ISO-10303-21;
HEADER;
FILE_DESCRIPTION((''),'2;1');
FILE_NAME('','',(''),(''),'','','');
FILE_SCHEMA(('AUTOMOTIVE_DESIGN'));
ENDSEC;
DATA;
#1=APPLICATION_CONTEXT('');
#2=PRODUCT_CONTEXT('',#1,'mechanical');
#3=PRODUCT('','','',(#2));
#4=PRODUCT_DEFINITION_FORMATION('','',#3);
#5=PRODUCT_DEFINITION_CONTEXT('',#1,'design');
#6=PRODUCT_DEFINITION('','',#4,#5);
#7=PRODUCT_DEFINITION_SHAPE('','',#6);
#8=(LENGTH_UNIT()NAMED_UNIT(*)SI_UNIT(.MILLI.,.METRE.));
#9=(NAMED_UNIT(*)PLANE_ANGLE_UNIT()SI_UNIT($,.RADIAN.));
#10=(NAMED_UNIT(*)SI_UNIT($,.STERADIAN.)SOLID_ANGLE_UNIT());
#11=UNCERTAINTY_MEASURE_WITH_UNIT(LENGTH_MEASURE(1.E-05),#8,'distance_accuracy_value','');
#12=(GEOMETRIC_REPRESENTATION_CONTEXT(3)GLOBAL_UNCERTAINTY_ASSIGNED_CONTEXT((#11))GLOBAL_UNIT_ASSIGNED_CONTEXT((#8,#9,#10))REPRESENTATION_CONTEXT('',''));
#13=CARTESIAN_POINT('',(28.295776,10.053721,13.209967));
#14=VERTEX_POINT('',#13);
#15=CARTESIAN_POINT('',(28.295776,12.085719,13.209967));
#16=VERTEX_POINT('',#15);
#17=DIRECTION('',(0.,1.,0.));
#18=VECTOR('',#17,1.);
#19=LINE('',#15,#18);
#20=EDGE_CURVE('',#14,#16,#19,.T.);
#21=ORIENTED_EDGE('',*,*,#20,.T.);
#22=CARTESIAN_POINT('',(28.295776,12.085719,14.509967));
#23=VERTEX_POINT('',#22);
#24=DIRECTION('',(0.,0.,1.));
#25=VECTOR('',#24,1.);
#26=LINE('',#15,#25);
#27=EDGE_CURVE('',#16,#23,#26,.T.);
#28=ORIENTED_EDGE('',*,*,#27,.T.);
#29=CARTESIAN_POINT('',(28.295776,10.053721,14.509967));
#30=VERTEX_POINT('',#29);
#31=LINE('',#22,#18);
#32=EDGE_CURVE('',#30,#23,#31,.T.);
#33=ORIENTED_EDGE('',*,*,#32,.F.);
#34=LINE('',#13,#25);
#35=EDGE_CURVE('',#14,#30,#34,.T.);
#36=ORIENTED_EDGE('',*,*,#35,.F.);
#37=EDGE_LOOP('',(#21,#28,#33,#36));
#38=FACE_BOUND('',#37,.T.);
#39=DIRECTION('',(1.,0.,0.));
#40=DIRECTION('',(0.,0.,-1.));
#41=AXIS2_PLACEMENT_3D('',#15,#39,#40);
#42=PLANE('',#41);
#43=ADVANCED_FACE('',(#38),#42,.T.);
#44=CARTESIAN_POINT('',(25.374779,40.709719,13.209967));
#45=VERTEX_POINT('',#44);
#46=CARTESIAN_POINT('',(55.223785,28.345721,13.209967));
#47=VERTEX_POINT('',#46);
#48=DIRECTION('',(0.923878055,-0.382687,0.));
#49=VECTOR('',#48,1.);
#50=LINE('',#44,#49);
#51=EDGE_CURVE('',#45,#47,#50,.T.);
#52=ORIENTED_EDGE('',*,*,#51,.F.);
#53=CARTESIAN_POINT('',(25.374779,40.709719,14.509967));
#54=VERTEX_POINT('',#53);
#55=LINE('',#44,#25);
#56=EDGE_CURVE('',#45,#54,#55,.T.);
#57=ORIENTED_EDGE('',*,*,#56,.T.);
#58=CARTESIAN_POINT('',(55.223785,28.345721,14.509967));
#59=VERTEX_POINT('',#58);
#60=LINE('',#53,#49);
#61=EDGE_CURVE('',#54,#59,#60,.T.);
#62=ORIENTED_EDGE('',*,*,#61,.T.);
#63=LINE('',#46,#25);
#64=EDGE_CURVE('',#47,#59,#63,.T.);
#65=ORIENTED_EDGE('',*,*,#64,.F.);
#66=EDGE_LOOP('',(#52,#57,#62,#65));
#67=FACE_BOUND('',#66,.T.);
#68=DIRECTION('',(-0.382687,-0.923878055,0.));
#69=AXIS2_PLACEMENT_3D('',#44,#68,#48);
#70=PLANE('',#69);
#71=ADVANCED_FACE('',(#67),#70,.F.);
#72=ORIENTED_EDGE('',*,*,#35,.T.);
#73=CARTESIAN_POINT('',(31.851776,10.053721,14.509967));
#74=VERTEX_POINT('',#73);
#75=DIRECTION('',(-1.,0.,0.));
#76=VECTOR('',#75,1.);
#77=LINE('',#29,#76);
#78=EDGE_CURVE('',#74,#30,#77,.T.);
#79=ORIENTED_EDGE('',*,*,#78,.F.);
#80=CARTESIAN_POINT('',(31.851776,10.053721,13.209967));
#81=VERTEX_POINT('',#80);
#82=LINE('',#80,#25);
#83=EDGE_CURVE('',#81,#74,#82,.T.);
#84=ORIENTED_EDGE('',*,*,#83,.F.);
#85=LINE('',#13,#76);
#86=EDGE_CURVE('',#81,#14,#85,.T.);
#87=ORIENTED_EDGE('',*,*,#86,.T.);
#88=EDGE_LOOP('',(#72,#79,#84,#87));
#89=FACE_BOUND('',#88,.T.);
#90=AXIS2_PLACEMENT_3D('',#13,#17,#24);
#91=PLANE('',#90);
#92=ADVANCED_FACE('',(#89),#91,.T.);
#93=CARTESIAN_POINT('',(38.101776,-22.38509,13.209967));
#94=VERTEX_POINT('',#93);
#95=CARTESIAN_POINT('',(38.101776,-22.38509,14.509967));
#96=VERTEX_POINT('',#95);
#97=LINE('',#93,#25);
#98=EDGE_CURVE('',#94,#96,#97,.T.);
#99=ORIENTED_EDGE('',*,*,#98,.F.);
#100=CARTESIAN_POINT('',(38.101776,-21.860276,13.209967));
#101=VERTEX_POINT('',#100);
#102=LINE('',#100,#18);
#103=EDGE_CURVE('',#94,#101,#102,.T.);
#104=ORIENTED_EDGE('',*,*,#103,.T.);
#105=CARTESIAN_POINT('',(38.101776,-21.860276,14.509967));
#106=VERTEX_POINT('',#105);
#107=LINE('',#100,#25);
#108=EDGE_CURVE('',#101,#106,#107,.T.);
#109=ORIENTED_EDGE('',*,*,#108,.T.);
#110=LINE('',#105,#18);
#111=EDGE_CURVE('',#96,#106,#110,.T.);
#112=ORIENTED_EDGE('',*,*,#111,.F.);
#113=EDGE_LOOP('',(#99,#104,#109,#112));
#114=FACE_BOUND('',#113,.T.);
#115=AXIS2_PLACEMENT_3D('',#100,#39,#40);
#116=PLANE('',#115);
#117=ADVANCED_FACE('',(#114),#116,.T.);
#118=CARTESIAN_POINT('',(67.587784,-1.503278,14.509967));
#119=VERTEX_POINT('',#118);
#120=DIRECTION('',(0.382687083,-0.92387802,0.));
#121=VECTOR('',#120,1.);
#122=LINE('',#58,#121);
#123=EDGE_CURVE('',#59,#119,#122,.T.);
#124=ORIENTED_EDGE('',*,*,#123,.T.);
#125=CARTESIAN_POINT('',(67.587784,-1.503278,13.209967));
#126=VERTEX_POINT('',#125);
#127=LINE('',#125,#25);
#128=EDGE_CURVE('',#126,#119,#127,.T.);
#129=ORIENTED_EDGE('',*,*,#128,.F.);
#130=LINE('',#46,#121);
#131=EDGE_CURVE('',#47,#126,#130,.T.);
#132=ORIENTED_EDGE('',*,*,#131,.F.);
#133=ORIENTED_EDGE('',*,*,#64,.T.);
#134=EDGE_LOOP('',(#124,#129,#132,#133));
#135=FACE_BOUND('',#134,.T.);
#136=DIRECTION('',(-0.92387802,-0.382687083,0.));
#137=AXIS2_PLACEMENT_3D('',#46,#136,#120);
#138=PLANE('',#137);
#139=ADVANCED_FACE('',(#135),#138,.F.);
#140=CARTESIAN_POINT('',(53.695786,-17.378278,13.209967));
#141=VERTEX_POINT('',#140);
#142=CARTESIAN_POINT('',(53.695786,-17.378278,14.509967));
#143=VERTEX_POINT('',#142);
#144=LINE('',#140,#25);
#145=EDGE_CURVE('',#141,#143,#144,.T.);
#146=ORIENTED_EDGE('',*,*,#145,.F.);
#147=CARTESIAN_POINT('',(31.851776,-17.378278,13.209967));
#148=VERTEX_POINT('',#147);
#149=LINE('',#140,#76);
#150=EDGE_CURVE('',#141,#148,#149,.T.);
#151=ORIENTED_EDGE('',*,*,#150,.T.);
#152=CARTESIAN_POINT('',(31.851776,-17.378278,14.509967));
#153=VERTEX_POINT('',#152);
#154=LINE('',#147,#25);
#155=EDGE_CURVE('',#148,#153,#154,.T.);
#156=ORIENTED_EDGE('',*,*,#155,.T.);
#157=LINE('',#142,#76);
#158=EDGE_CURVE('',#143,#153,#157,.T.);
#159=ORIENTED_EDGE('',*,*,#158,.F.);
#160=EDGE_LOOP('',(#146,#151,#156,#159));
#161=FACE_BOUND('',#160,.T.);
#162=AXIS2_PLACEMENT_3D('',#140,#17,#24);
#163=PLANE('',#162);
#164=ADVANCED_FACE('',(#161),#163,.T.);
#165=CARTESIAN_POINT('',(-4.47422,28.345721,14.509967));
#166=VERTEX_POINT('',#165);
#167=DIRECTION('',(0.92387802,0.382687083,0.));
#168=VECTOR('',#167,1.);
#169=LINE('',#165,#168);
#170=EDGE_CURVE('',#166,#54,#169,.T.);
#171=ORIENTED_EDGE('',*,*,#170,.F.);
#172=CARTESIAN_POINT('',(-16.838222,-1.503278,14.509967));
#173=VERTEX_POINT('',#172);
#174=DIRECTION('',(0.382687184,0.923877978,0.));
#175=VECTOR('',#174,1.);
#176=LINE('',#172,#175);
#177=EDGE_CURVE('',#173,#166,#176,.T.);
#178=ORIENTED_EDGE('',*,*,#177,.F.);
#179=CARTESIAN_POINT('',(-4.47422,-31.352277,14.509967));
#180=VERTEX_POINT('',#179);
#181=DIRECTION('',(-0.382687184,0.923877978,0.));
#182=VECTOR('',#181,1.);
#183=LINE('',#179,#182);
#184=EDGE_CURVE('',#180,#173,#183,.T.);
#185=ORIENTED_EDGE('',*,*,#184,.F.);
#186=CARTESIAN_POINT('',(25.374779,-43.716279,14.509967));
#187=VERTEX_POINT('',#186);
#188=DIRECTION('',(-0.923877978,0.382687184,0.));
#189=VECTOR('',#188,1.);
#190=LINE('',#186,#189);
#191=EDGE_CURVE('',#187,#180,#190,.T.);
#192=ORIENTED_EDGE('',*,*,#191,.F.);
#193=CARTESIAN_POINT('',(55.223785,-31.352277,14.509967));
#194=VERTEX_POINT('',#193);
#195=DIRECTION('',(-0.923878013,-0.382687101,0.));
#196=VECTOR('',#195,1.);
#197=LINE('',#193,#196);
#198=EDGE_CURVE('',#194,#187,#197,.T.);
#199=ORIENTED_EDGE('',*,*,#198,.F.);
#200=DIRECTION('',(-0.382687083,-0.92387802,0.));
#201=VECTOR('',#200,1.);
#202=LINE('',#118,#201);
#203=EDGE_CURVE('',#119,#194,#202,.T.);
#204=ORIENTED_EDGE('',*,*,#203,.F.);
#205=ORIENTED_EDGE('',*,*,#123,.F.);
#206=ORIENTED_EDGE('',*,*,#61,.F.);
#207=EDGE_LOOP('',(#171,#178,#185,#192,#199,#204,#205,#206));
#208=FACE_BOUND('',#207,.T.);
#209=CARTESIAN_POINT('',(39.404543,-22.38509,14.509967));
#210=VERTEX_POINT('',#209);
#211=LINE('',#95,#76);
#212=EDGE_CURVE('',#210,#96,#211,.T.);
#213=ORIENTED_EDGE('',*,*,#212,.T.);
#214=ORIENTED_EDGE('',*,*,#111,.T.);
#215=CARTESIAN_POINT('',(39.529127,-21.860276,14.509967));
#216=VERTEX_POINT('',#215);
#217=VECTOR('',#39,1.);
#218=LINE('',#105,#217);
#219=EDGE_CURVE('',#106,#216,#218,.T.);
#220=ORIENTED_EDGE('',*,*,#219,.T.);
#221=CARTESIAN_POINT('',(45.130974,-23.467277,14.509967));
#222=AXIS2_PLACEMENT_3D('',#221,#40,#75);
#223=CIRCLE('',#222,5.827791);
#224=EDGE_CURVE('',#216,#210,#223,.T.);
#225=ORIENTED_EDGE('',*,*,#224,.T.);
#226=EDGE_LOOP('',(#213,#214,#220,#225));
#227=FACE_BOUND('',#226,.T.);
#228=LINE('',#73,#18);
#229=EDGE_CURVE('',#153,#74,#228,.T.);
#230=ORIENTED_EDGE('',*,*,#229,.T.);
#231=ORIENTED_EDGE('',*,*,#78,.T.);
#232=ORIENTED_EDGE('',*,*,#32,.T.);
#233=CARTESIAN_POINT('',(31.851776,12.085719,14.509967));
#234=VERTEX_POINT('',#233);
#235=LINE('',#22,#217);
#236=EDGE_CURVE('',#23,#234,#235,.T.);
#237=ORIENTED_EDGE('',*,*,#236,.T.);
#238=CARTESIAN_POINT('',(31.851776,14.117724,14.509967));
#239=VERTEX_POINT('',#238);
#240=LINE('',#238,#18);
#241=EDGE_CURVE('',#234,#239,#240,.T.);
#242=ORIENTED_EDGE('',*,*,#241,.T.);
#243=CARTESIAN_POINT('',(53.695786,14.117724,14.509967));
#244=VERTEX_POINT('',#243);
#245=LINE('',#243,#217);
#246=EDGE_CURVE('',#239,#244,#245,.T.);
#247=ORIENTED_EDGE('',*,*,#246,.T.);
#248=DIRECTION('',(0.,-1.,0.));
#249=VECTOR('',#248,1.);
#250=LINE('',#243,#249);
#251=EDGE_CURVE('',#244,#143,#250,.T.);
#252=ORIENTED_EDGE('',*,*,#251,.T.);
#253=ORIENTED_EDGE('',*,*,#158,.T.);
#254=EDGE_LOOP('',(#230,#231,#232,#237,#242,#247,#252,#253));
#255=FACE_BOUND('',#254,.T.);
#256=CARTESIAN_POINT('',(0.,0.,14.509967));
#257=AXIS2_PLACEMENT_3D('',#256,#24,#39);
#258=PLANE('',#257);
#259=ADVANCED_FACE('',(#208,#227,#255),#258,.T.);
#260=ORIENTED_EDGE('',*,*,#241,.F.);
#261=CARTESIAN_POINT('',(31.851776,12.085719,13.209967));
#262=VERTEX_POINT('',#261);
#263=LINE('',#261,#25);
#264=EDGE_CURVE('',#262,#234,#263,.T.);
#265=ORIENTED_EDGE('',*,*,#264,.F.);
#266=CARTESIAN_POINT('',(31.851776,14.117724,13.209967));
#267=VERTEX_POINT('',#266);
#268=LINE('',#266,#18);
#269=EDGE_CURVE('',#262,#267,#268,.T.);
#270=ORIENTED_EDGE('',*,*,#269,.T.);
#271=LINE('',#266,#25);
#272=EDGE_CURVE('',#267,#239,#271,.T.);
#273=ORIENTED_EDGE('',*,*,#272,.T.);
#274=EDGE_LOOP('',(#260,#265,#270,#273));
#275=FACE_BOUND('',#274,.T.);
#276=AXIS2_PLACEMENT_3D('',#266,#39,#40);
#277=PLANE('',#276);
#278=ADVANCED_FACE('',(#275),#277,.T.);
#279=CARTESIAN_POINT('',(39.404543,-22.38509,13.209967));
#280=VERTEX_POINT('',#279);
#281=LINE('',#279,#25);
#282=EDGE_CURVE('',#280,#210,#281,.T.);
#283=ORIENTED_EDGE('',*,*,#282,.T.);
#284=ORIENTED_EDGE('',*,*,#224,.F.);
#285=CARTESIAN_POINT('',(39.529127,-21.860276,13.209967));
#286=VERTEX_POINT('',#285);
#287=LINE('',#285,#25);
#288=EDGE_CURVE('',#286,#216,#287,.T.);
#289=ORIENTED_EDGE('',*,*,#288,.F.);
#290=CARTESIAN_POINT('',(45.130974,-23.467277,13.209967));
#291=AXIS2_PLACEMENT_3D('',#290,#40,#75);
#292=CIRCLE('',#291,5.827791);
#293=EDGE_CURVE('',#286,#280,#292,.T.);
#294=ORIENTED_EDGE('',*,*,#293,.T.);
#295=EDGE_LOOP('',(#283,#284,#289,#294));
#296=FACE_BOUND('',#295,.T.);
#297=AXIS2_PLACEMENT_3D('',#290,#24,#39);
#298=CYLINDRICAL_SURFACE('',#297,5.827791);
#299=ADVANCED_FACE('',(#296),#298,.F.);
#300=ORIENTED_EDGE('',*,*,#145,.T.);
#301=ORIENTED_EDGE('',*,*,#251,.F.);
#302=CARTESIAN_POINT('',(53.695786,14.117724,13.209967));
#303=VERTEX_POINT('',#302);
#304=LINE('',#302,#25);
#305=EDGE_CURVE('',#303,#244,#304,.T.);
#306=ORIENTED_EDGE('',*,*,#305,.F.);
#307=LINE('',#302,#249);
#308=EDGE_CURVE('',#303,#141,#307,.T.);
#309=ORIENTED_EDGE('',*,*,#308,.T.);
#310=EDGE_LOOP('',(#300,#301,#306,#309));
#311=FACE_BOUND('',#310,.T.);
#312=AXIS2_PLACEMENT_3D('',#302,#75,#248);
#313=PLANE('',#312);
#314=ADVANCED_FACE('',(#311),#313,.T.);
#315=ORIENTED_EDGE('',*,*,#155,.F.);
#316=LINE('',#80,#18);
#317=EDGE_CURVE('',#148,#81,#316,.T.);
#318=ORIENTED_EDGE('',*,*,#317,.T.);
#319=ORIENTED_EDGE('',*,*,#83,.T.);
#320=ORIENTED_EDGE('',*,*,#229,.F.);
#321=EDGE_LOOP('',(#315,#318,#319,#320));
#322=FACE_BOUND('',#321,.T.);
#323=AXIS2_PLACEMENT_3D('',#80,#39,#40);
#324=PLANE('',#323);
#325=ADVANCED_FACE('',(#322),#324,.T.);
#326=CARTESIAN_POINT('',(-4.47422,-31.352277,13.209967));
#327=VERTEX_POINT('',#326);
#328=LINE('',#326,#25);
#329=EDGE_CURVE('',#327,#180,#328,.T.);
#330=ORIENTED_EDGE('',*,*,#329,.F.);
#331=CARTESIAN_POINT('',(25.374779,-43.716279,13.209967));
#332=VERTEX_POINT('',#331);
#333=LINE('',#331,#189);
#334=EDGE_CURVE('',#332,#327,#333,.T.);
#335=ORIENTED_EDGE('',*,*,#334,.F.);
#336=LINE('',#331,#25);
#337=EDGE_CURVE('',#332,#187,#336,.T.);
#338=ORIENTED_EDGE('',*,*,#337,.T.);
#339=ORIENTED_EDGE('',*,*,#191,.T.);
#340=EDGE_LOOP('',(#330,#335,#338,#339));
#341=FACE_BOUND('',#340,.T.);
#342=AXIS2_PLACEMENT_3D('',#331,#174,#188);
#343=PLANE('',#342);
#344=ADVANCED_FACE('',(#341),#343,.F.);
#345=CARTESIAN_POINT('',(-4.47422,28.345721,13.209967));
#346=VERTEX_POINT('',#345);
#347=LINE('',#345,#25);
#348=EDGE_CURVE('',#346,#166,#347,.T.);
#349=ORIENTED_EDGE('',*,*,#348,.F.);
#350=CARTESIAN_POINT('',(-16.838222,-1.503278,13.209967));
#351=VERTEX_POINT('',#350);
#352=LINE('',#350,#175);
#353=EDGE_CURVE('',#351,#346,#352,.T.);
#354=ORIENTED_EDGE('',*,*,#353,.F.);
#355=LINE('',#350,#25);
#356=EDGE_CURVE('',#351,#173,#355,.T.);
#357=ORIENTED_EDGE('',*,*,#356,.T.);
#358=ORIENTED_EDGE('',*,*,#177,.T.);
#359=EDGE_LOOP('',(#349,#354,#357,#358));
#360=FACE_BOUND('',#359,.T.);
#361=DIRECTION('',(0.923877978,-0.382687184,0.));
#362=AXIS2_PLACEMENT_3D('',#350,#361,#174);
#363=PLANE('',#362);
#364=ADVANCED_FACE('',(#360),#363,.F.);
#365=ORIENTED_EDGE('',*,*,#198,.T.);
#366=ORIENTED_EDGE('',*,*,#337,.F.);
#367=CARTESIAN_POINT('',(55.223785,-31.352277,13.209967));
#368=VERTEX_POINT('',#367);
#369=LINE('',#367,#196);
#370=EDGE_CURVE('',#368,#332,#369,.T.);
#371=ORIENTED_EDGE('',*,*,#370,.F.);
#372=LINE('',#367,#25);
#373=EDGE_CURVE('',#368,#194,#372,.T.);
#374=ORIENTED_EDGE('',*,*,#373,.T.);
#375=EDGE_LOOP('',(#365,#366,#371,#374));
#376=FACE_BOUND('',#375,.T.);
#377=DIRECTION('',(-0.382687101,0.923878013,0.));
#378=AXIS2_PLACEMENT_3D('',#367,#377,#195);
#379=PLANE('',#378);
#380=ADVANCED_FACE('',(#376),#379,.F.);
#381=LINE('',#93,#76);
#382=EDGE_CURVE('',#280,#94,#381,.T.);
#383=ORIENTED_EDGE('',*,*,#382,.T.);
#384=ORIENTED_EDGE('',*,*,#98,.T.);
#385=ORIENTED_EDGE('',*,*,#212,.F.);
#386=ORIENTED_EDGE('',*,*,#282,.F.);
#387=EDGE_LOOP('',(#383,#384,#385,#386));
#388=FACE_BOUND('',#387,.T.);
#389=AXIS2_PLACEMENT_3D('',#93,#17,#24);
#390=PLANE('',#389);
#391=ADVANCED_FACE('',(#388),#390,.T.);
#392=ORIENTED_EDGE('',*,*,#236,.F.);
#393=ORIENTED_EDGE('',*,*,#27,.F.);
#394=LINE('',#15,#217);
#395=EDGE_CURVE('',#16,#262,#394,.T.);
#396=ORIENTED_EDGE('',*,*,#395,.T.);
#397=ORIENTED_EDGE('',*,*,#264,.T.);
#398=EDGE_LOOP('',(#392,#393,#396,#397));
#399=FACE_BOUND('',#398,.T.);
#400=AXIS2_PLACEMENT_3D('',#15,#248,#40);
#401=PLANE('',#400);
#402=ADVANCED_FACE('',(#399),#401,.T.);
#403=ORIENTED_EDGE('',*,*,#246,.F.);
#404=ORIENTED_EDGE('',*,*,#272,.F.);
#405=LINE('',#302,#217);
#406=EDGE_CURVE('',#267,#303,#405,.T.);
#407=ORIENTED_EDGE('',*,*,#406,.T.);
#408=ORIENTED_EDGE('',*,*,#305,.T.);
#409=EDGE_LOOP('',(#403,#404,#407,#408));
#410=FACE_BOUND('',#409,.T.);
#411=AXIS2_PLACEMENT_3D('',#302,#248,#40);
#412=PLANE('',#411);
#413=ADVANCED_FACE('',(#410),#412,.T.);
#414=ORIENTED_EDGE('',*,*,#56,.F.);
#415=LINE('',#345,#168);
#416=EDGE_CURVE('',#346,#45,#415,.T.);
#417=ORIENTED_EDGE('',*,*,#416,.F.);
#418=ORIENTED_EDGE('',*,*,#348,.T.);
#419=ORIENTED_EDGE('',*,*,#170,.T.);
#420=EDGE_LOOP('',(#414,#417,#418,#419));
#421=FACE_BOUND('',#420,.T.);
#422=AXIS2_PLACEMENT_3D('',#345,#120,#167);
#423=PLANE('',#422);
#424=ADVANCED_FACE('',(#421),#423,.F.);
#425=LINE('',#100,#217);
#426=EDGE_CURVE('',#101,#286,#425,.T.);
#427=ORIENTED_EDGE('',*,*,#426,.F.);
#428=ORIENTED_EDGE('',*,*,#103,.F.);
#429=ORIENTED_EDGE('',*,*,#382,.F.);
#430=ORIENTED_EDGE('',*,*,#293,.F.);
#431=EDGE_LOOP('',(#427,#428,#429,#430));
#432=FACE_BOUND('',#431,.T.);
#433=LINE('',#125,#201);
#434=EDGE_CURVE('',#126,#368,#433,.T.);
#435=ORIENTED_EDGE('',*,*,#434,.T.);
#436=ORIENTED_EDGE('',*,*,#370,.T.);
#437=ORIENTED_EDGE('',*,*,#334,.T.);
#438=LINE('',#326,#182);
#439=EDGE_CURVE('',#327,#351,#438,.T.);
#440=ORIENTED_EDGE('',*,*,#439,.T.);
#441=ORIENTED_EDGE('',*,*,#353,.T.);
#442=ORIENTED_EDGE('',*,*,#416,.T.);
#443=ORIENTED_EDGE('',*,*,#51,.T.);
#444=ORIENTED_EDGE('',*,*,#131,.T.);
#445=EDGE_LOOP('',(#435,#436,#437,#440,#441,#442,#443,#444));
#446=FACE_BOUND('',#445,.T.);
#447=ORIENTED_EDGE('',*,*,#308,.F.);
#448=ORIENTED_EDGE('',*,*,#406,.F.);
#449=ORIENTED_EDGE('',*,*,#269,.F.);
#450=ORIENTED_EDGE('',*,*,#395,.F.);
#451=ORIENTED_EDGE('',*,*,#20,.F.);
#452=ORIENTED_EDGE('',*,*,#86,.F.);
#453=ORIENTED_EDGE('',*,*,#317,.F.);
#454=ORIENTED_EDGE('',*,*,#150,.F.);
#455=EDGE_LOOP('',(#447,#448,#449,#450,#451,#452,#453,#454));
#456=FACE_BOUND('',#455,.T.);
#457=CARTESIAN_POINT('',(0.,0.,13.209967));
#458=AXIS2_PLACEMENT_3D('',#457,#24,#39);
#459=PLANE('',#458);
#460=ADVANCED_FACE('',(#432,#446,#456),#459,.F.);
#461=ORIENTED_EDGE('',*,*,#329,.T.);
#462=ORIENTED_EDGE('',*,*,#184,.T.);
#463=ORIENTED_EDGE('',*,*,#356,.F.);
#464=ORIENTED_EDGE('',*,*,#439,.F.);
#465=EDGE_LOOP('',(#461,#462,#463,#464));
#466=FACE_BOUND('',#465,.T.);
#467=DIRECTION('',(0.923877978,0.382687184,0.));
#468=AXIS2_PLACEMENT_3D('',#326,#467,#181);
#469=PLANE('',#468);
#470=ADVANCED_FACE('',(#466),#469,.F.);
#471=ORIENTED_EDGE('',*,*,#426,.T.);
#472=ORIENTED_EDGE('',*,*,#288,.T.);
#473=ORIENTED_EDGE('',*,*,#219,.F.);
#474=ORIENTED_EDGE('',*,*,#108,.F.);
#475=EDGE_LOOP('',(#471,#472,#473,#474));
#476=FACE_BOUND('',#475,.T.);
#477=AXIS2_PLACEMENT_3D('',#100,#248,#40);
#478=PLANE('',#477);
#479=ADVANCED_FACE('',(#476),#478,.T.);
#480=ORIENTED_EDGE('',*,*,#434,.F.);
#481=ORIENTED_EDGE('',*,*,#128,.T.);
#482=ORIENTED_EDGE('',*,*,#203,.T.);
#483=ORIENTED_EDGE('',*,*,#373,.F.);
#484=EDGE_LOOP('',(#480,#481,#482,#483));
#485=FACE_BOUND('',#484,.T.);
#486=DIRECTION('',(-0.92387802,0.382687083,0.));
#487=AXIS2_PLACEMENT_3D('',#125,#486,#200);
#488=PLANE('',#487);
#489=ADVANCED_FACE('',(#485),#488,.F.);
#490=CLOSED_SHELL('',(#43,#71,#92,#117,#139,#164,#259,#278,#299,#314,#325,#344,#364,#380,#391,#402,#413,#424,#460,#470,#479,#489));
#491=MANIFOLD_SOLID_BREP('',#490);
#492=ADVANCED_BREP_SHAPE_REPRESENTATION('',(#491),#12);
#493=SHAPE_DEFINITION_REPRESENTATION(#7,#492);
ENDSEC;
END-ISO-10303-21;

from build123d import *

# Parameters (mm, degrees)
BOSS_EXTRU_2_DEPTH = 1.3


with BuildPart() as part:
    # Esquisse2 → Boss.-Extru.2 (new body)
    with BuildSketch(Plane(origin=(0, 0, 14.509966587), x_dir=(-1, 0, 0), z_dir=(0, 0, -1))):
        Polygon((-55.223785445, -31.352276986), (-25.374778792, -43.716279214), (4.474220231, -31.352276986), (16.838222459, -1.503277963), (4.474220231, 28.345721061), (-25.374778792, 40.709719474), (-55.223785445, 28.345721061), (-67.587783858, -1.503277963), align=None)
        Polygon((-31.851776167, 10.053721244), (-31.851776167, -17.378277963), (-53.695785567, -17.378277963), (-53.695785567, 14.117724234), (-31.851776167, 14.117724234), (-31.851776167, 12.085718924), (-28.295776412, 12.085718924), (-28.295776412, 10.053721244), align=None, mode=Mode.SUBTRACT)
        with BuildLine():
            Line((-38.101776167, -21.860276406), (-39.529126769, -21.860276406))
            ThreePointArc((-39.529126769, -21.860276406), (-50.80118854, -24.813312469), (-39.4045428, -22.385089985))
            Line((-39.4045428, -22.385089985), (-38.101776167, -22.385089985))
            Line((-38.101776167, -22.385089985), (-38.101776167, -21.860276406))
        make_face(mode=Mode.SUBTRACT)
    extrude(amount=BOSS_EXTRU_2_DEPTH)


solid = part.part
